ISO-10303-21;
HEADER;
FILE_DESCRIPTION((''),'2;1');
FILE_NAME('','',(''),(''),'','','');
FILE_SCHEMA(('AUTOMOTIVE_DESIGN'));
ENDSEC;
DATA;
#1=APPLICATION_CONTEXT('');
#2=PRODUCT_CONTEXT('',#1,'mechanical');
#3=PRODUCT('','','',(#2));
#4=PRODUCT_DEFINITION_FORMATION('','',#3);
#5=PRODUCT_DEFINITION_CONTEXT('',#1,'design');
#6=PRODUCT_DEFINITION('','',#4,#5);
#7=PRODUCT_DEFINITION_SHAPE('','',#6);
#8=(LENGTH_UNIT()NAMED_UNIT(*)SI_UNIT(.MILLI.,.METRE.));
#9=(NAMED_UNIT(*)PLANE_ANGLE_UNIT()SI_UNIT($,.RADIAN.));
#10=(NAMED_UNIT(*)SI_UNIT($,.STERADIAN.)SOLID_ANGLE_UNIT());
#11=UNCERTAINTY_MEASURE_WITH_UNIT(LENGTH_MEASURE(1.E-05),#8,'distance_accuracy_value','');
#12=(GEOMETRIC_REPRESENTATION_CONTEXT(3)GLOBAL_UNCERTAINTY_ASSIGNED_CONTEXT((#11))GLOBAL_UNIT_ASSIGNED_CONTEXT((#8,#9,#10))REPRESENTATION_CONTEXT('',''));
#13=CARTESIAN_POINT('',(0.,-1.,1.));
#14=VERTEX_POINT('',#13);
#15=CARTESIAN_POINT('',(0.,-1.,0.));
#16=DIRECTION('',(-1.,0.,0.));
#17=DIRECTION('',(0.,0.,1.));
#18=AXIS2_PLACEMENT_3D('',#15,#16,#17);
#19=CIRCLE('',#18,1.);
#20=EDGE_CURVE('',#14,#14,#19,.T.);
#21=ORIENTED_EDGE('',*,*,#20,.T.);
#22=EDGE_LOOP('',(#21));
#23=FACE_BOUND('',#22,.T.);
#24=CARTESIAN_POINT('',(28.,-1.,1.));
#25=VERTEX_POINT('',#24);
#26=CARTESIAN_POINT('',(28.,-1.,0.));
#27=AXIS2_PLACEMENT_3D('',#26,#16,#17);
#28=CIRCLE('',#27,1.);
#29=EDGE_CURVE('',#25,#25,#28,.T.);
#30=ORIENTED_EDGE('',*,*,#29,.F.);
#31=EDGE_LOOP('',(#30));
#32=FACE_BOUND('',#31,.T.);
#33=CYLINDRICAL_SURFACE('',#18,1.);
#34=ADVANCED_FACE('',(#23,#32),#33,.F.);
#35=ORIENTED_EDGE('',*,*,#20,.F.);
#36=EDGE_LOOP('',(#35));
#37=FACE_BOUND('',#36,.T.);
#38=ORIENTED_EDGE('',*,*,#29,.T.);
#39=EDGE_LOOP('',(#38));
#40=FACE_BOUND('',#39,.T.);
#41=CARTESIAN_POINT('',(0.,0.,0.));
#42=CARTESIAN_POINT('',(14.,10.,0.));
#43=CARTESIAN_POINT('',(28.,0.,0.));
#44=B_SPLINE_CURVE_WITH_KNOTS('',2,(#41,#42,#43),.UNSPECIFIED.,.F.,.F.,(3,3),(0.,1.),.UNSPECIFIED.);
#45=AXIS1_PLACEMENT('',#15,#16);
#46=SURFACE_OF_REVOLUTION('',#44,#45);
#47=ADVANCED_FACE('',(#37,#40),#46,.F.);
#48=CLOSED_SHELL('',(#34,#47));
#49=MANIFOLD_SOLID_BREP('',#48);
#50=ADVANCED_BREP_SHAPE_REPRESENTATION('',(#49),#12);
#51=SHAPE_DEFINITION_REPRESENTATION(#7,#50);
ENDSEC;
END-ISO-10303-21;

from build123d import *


with BuildPart() as part:
    # Sketch1 → Revolve1 (revolve)
    with BuildSketch(Plane.XY):
        with BuildLine():
            Line((0, 0), (28, 0))
            add(Edge.make_bspline(
                [(0, 0), (14, 10), (28, 0)],
                knots=[0, 0, 0, 1, 1, 1], degree=2))
        make_face()
    revolve(axis=Axis((0, -1, 0), (1, 0, 0)))


solid = part.part
